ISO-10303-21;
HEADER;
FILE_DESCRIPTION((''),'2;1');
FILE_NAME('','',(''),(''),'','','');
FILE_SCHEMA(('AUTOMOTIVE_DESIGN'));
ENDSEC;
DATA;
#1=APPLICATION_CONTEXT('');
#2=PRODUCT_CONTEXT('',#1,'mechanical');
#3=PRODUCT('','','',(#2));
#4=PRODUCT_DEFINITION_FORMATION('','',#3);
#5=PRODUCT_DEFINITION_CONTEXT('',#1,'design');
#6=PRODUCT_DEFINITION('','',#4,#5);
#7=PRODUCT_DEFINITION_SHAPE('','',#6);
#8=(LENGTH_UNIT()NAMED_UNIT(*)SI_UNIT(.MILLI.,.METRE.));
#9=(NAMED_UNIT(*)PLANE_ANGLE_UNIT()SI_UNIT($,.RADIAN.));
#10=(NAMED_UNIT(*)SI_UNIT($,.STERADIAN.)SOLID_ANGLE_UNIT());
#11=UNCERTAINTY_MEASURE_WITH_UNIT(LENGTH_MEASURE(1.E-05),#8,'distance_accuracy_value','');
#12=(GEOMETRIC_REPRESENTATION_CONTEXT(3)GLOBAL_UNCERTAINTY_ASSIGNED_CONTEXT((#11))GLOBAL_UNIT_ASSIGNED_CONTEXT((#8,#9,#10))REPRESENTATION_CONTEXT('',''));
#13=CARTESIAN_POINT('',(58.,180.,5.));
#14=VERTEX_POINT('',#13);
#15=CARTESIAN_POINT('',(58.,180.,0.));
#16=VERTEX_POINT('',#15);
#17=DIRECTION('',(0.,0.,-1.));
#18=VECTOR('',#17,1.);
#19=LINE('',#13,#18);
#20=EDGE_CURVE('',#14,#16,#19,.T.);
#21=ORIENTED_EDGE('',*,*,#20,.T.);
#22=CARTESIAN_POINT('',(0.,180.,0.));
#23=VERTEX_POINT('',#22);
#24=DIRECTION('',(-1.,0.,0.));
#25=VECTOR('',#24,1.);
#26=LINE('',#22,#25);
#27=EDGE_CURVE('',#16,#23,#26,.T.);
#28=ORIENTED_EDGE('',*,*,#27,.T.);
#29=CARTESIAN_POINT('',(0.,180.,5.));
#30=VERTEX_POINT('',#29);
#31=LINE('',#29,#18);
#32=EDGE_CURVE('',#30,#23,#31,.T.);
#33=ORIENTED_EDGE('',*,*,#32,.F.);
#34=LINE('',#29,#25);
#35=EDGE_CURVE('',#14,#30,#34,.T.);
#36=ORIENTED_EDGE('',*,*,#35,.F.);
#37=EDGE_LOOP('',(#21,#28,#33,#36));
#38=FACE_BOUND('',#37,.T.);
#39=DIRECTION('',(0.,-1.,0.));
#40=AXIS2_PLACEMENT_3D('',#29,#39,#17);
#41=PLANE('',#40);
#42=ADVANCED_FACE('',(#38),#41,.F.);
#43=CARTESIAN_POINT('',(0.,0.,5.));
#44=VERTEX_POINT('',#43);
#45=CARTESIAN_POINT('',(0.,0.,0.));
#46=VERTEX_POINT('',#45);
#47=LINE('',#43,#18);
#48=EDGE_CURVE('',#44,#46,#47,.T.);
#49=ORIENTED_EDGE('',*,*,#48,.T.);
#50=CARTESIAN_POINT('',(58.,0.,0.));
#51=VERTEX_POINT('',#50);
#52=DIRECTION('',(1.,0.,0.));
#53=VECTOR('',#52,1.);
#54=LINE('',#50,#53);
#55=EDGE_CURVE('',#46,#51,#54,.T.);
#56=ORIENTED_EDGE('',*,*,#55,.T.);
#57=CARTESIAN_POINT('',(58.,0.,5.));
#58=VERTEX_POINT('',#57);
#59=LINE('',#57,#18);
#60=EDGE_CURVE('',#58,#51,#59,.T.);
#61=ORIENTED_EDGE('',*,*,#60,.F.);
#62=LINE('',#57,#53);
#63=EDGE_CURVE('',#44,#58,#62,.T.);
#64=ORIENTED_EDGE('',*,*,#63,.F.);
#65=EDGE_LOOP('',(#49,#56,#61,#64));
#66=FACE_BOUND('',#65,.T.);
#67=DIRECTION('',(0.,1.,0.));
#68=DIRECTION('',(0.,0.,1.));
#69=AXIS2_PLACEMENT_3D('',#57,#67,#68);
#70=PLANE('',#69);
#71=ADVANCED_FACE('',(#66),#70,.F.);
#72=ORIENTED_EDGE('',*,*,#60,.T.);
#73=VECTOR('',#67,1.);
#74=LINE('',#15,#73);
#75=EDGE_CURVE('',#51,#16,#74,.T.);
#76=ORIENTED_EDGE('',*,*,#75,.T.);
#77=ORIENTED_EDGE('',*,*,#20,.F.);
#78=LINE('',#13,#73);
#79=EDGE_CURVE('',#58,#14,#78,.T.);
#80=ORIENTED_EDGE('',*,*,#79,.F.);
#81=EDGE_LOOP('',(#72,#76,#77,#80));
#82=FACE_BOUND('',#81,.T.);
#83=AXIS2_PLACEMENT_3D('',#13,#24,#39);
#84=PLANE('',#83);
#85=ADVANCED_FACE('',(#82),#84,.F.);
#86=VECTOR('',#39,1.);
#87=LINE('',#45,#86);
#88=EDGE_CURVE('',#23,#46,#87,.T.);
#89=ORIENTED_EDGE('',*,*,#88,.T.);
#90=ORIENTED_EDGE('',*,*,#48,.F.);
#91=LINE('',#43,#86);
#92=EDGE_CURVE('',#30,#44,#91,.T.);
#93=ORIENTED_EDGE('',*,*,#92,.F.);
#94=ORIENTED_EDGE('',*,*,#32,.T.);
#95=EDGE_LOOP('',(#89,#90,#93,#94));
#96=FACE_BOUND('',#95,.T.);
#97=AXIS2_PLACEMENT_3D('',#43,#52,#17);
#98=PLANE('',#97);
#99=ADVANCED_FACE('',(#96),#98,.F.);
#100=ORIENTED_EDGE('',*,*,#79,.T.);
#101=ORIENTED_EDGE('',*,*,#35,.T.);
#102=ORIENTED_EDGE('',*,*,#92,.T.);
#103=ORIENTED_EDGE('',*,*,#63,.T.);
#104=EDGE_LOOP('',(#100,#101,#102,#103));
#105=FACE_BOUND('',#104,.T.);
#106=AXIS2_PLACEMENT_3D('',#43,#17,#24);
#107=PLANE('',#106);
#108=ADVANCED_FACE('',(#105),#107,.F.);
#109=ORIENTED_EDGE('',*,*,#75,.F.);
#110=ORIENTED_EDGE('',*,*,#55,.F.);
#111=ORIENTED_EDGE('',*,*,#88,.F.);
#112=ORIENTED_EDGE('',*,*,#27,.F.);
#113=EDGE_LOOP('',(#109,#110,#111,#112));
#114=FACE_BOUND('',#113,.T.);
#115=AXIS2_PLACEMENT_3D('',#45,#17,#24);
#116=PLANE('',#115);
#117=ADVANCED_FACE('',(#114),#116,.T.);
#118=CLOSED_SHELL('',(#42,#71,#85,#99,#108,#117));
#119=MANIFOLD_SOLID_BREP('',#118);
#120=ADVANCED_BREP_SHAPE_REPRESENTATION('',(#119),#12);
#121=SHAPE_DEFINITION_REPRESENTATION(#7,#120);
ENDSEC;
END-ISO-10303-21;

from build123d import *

# Parameters (mm, degrees)
ESQUISSE1_W        = 58
ESQUISSE1_H        = 180
BOSS_EXTRU_2_DEPTH = 5


with BuildPart() as part:
    # Esquisse1 → Boss.-Extru.2 (new body)
    with BuildSketch(Plane.XY):
        with Locations((29, 90)):
            Rectangle(ESQUISSE1_W, ESQUISSE1_H)
    extrude(amount=BOSS_EXTRU_2_DEPTH)


solid = part.part
